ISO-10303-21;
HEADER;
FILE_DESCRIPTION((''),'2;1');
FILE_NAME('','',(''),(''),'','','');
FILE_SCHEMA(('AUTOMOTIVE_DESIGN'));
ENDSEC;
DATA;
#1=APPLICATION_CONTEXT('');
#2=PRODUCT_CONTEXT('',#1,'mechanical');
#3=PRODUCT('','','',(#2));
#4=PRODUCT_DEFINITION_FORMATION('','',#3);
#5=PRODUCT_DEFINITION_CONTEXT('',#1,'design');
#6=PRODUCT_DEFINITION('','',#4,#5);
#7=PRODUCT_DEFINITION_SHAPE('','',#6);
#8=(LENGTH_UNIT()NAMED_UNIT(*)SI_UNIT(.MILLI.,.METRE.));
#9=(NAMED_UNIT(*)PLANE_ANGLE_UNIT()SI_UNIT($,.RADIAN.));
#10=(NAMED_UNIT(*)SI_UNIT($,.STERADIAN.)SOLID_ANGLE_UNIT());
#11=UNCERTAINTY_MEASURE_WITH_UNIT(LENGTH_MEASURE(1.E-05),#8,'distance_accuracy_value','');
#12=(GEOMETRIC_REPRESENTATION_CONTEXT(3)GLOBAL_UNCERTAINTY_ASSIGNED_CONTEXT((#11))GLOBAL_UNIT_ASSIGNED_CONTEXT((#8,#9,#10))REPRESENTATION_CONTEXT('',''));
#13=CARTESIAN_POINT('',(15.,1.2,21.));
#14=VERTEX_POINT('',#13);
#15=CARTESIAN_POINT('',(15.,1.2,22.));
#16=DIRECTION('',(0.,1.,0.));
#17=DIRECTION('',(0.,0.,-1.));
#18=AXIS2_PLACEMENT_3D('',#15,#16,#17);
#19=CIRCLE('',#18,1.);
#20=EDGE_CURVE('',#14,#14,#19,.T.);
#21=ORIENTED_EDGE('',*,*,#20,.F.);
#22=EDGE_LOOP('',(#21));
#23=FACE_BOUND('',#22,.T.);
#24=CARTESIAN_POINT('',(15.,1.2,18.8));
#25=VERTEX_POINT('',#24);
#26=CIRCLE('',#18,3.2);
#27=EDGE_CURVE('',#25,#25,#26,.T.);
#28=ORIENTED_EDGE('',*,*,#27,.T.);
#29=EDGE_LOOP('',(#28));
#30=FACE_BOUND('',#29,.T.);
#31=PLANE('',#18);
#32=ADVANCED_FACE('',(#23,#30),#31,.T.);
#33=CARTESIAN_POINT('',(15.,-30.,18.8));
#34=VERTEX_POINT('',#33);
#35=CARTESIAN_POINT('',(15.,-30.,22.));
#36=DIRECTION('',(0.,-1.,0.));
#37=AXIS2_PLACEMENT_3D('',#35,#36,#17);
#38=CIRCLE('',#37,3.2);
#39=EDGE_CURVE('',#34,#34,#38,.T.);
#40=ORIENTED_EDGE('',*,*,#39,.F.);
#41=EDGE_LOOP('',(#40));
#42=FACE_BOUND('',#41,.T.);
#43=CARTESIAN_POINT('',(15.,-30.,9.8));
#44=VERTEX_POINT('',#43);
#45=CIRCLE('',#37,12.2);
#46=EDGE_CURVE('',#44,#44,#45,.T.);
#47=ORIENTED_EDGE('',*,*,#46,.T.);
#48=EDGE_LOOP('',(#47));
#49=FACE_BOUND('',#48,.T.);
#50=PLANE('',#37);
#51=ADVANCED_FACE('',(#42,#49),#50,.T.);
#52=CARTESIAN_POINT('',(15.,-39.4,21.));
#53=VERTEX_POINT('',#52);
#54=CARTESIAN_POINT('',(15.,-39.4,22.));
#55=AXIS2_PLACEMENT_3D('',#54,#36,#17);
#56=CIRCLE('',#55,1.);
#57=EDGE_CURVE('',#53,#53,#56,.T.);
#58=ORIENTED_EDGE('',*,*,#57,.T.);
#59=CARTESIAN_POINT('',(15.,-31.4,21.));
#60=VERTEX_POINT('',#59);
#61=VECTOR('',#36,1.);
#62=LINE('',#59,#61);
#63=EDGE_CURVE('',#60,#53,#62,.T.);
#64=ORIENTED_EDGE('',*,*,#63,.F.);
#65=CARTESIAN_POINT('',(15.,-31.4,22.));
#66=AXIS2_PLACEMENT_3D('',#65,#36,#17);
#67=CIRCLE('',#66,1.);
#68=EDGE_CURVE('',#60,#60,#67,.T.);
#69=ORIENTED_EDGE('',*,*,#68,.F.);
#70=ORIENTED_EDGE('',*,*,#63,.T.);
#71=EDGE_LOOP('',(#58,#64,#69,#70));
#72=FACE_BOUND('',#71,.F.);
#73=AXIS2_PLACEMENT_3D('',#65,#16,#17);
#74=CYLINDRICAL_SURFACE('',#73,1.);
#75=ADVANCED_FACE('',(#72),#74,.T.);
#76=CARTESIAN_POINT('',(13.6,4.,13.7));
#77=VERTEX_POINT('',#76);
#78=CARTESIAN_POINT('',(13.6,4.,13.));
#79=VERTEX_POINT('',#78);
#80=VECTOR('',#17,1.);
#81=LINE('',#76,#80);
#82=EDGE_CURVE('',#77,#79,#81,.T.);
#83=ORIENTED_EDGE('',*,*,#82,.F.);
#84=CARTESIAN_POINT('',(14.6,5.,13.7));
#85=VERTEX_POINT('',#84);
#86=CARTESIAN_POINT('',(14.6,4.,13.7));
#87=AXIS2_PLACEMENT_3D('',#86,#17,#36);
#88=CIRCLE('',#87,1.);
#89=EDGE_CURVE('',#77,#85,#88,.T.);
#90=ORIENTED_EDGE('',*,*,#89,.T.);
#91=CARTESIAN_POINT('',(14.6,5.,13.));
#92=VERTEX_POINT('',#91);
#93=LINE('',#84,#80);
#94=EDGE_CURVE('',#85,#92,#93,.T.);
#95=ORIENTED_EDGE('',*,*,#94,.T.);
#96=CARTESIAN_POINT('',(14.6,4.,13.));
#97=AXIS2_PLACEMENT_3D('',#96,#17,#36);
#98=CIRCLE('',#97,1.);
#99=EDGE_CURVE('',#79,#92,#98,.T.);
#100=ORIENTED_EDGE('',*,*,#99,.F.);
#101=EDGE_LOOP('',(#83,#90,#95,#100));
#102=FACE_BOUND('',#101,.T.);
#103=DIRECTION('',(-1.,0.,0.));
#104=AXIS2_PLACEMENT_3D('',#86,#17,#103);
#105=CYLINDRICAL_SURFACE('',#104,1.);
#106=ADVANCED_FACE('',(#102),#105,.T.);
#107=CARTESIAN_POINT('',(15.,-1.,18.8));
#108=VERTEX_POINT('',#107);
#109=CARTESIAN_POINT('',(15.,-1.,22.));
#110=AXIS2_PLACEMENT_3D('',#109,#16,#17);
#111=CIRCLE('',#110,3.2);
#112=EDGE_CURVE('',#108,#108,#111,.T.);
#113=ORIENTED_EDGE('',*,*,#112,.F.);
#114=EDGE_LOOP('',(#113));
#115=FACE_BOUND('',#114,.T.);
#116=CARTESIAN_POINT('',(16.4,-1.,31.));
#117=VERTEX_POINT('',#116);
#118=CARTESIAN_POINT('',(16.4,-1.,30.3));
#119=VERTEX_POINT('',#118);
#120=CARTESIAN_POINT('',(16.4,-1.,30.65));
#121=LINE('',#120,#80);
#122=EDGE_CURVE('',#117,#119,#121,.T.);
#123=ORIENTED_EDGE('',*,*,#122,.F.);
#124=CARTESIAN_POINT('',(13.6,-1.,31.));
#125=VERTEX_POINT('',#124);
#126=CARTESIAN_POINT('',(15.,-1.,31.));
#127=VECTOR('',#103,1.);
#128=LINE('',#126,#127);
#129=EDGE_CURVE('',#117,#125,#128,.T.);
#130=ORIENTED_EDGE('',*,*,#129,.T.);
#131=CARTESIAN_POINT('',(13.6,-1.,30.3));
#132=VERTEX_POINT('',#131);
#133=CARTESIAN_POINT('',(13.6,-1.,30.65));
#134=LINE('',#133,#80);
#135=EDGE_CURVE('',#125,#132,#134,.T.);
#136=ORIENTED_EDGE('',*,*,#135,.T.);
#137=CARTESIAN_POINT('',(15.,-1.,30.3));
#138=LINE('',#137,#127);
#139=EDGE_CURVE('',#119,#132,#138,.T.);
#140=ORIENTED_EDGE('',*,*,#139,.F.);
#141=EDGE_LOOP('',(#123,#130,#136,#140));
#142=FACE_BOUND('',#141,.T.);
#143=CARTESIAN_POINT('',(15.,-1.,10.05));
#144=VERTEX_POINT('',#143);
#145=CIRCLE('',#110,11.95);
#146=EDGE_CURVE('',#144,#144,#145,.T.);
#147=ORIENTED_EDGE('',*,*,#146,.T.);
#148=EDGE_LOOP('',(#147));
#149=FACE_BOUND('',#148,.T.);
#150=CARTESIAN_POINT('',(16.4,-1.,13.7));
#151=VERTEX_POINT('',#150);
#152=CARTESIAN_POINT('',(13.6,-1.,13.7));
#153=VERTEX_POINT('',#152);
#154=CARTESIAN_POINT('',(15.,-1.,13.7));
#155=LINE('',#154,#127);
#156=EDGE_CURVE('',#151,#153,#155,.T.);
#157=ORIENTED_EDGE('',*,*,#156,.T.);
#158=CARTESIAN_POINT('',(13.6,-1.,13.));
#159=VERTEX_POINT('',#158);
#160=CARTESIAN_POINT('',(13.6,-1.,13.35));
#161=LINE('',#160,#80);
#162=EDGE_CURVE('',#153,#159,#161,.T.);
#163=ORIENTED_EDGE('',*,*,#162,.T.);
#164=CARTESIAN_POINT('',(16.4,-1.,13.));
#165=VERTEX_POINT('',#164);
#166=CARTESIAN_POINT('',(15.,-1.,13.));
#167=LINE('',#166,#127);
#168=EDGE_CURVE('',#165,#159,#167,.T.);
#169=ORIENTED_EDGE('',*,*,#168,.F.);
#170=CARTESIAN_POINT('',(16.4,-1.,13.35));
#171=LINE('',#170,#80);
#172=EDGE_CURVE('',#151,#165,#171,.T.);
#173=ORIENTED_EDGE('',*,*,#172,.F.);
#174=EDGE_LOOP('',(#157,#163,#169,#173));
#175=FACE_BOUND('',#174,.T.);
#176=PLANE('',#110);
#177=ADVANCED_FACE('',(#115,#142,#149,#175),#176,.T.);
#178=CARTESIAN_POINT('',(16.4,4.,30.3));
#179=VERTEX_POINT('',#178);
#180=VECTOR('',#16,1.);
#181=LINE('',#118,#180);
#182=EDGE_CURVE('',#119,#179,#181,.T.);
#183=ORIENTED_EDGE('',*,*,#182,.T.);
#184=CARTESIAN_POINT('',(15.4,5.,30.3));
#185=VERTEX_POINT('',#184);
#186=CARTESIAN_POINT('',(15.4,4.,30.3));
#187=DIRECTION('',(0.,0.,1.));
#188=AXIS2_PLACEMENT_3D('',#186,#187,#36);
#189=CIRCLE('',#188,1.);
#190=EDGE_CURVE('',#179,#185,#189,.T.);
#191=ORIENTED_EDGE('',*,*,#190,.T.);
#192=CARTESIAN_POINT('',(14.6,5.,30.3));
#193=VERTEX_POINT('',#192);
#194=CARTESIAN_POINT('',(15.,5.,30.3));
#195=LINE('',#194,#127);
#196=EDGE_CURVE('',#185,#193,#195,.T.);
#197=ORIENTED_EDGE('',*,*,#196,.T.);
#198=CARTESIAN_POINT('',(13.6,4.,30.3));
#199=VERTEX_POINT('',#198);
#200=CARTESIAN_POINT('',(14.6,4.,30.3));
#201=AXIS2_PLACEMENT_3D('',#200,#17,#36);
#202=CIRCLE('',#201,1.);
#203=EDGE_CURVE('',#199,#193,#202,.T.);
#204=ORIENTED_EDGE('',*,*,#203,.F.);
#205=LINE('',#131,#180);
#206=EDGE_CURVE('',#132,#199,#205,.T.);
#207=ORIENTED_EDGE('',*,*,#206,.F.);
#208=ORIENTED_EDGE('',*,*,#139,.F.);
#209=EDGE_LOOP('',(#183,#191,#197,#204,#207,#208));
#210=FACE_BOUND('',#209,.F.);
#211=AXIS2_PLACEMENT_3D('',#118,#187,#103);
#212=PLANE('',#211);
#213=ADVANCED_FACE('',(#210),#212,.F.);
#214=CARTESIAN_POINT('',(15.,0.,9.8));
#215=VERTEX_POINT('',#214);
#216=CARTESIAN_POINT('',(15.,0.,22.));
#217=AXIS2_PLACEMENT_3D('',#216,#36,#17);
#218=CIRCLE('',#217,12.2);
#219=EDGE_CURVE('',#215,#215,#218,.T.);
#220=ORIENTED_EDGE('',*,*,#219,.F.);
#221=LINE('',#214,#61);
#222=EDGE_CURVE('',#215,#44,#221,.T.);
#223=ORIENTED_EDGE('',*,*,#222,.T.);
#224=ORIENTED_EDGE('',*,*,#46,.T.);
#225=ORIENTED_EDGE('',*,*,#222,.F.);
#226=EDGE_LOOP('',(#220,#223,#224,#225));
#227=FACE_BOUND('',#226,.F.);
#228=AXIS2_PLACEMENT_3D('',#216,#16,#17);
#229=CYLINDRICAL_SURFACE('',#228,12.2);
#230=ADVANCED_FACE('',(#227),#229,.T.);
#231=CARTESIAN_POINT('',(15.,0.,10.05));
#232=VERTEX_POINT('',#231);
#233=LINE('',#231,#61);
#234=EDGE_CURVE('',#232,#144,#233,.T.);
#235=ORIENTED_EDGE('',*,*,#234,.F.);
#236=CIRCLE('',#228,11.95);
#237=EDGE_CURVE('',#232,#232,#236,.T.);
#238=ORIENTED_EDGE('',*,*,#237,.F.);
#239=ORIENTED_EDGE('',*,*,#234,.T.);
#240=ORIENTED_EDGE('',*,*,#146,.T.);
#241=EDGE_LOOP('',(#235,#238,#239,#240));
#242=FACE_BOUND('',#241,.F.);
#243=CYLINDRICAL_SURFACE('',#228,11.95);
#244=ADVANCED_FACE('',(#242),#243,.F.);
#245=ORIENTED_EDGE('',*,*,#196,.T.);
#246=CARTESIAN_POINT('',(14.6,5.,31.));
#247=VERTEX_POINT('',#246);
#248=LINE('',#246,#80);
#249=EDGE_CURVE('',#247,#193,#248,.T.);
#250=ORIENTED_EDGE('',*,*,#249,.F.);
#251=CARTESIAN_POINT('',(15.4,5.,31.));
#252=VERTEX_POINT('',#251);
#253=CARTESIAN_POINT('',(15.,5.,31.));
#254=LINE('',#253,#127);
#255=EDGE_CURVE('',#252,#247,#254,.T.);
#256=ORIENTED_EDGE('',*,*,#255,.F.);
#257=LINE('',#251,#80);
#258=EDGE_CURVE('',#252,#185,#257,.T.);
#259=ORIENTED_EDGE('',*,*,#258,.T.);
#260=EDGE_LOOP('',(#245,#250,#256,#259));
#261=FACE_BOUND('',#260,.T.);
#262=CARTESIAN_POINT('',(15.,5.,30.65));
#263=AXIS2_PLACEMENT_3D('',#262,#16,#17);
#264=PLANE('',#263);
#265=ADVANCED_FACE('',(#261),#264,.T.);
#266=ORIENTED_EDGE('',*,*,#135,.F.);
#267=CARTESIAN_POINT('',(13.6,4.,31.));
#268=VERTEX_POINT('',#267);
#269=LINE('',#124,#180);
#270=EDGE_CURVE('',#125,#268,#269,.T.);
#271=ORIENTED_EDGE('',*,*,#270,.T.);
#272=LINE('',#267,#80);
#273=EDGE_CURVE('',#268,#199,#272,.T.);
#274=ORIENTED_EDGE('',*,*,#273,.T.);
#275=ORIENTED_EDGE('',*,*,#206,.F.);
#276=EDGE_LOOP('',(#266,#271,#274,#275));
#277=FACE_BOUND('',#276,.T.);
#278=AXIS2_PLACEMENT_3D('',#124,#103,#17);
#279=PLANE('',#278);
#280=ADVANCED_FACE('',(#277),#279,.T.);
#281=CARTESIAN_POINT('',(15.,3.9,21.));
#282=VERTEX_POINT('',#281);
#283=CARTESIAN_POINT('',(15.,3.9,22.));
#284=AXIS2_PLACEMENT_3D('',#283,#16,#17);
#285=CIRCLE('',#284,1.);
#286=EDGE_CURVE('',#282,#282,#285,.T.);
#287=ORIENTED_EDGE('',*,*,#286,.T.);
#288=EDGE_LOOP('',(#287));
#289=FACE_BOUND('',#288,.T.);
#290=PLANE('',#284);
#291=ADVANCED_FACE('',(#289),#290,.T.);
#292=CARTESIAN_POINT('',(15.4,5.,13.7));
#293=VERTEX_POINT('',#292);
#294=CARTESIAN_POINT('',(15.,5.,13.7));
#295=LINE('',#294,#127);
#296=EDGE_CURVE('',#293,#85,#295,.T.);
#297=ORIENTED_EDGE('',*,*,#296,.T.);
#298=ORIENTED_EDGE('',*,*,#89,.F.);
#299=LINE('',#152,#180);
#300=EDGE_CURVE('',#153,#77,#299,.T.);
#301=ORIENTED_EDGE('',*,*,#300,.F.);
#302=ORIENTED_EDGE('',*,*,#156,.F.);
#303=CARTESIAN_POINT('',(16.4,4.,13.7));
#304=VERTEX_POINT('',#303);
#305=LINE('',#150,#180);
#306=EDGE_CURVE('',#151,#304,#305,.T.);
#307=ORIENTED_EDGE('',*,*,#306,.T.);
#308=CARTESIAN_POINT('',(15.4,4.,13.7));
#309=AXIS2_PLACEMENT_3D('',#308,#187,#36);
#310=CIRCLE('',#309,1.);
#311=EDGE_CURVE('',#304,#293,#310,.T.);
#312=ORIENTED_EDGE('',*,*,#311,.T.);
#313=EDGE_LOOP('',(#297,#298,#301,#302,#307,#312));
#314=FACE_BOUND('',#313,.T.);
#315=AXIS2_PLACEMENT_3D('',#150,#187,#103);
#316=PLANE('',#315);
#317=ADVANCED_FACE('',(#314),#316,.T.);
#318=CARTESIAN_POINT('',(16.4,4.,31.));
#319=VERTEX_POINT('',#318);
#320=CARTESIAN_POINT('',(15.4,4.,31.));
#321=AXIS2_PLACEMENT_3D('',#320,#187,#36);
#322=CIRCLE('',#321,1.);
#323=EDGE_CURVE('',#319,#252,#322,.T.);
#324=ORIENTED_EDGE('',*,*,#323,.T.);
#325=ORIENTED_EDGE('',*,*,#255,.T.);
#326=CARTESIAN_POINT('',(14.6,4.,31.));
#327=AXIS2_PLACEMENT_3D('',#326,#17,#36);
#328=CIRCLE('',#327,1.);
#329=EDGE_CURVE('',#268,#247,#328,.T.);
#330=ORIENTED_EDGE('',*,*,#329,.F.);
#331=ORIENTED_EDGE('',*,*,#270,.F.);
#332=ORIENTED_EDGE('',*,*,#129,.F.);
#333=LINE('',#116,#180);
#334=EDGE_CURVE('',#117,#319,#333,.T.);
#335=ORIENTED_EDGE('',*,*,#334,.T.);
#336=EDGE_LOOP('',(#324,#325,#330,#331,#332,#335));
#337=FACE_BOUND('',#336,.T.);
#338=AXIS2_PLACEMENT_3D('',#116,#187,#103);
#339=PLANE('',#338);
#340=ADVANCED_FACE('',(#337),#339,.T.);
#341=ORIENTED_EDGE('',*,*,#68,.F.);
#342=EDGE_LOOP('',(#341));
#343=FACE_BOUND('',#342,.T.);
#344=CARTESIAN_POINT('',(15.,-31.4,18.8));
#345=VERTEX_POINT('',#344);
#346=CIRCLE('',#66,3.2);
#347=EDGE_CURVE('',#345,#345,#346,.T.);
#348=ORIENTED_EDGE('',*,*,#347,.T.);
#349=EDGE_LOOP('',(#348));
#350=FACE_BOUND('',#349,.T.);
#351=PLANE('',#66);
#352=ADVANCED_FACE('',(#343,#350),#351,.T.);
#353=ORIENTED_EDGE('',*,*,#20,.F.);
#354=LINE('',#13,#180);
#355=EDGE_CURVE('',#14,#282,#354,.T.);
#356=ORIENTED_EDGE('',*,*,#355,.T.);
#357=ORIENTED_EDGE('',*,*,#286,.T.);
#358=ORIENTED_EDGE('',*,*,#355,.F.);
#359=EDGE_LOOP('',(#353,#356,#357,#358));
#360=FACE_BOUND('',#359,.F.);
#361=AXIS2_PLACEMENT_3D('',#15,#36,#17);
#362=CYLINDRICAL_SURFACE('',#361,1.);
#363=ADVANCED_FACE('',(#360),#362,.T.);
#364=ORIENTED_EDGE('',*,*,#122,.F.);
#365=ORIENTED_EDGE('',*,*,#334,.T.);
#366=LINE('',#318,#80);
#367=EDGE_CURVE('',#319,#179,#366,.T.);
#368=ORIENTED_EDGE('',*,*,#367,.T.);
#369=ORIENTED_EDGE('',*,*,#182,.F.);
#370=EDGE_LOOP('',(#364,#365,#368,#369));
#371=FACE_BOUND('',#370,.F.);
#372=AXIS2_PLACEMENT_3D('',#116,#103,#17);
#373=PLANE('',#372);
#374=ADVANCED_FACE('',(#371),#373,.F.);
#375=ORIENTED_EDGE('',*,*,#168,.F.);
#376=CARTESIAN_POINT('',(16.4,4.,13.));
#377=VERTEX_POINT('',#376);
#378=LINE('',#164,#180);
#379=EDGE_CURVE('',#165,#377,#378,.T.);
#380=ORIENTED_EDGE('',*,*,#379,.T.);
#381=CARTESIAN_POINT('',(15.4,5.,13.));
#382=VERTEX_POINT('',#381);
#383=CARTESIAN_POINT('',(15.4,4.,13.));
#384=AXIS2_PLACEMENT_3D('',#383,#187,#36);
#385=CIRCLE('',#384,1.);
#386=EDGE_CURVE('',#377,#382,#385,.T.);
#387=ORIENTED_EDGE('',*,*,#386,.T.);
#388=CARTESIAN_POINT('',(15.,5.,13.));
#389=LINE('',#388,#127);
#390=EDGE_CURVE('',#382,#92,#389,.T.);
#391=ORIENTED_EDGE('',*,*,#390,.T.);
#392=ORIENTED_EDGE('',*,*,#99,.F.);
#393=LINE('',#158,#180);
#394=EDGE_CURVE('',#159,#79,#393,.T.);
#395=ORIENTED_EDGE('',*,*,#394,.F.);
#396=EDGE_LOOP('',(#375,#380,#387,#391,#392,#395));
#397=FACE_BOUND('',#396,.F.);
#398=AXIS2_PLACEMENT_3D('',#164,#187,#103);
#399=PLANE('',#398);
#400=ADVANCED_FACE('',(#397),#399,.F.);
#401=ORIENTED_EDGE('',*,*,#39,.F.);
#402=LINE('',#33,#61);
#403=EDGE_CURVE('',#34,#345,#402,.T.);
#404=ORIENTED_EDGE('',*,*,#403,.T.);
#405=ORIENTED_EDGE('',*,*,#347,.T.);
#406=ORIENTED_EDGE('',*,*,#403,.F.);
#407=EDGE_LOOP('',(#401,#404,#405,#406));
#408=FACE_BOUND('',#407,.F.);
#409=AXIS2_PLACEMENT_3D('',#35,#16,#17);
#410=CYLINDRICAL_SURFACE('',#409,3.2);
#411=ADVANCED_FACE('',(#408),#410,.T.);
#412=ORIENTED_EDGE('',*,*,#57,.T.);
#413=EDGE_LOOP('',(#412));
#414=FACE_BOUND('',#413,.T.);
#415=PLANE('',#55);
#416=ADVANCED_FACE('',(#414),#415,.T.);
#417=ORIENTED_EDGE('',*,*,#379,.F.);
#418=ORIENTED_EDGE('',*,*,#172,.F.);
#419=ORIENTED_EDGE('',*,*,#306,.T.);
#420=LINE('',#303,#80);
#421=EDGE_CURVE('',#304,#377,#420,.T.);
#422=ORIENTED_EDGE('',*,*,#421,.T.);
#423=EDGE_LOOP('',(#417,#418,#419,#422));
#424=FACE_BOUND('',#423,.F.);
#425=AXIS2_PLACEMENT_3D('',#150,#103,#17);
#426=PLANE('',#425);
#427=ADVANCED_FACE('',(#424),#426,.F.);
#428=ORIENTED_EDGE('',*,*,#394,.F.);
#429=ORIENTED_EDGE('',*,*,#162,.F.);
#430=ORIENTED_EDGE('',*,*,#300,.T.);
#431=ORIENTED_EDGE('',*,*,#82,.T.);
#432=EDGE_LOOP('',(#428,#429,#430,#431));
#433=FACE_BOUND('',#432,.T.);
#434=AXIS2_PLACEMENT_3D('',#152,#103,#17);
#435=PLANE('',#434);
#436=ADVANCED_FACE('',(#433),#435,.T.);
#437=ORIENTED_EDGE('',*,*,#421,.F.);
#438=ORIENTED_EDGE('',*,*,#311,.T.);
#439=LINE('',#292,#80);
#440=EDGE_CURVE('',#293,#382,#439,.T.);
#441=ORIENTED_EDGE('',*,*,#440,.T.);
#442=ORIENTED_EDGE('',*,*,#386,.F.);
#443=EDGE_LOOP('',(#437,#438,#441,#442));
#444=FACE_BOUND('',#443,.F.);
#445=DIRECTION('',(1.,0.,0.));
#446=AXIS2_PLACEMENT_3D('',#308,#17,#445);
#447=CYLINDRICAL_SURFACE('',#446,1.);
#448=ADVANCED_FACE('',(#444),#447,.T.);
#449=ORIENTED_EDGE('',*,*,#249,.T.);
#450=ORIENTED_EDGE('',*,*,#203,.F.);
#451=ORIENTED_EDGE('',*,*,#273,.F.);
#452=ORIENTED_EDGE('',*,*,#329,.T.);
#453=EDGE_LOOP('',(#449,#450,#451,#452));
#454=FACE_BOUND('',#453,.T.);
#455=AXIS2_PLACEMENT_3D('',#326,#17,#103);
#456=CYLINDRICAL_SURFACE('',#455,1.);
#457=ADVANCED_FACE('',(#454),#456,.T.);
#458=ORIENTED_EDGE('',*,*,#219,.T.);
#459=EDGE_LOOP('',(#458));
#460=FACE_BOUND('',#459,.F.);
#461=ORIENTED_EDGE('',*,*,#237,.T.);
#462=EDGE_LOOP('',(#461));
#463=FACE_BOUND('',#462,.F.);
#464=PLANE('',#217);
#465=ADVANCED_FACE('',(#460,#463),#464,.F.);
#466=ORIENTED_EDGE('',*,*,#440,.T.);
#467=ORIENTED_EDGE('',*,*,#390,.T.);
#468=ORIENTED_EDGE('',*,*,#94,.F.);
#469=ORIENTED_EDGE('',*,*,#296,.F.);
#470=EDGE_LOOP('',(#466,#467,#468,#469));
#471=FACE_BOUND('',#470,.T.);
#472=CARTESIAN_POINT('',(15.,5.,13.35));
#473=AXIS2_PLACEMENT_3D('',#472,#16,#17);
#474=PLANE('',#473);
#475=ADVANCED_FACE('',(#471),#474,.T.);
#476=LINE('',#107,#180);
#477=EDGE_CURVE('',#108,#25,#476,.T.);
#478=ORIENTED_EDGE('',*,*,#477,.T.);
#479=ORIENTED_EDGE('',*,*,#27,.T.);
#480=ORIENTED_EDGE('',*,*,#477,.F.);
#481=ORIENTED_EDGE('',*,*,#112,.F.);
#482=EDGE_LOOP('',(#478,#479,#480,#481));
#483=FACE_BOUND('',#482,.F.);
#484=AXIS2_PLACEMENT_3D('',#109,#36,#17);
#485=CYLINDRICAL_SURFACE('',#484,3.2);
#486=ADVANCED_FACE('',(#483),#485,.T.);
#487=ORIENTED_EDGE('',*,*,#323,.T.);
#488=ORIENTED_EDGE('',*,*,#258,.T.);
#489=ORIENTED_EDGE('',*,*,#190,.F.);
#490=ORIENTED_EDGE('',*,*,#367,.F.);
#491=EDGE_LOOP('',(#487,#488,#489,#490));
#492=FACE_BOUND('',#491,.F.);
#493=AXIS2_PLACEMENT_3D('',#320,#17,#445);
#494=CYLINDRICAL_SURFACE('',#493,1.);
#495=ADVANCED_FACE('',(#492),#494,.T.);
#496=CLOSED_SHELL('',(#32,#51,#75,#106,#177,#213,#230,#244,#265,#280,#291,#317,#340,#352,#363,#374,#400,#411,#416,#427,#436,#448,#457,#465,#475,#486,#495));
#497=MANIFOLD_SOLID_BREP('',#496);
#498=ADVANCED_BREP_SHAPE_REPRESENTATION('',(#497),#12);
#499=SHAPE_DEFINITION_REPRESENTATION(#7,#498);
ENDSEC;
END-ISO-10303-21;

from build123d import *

# Parameters (mm, degrees)
SKETCH094_R             = 12.2
PAD046_DEPTH            = 30
SKETCH095_R             = 3.2
PAD042_DEPTH            = 1.4
SKETCH100_R             = 1
PAD045_DEPTH            = 8
SKETCH098_R             = 11.95
POCKET040_DEPTH         = 1
SKETCH096_R             = 3.2
PAD047_DEPTH            = 2.2
SKETCH099_R             = 1
PAD044_DEPTH            = 2.7
SKETCH097_W             = 0.7
SKETCH097_H             = 2.8
PAD043_DEPTH            = 6
FILLET018_R             = 1
BODY016_PITCH_ANGLE     = 90
BODY016_PLACEMENT_ANGLE = -90


with BuildPart() as part:
    # Sketch094 → Pad046 (new body)
    with BuildSketch(Plane.XY):
        Circle(SKETCH094_R)
    extrude(amount=PAD046_DEPTH)

    # Sketch095 (on Face3 of Pad046) → Pad042 (join)
    with BuildSketch(Plane.XY.offset(30)):
        Circle(SKETCH095_R)
    extrude(amount=PAD042_DEPTH)

    # Sketch100 (on Face5 of Pad042) → Pad045 (join)
    with BuildSketch(Plane.XY.offset(31.4)):
        Circle(SKETCH100_R)
    extrude(amount=PAD045_DEPTH)

    # Sketch098 (on Face2 of Pad045) → Pocket040 (cut)
    with BuildSketch(Plane(origin=(0, 0, 0), x_dir=(1, 0, 0), z_dir=(0, 0, -1))):
        Circle(SKETCH098_R)
    extrude(amount=-POCKET040_DEPTH, mode=Mode.SUBTRACT)

    # Sketch096 (on Face6 of Pocket040) → Pad047 (join)
    with BuildSketch(Plane(origin=(0, 0, 1), x_dir=(1, 0, 0), z_dir=(0, 0, -1))):
        Circle(SKETCH096_R)
    extrude(amount=PAD047_DEPTH)

    # Sketch099 (on Face10 of Pad047) → Pad044 (join)
    with BuildSketch(Plane(origin=(0, 0, -1.2), x_dir=(1, 0, 0), z_dir=(0, 0, -1))):
        Circle(SKETCH099_R)
    extrude(amount=PAD044_DEPTH)

    # Sketch097 (on Face6 of Pad044) → Pad043 (join)
    with BuildSketch(Plane(origin=(0, 0, 1), x_dir=(1, 0, 0), z_dir=(0, 0, -1))):
        with Locations((-8.65, 0)):
            Rectangle(SKETCH097_W, SKETCH097_H)
        with Locations((8.65, 0)):
            Rectangle(SKETCH097_W, SKETCH097_H)
    extrude(amount=PAD043_DEPTH)

    # Fillet018
    fillet018_edges = [part.edges().sort_by_distance(p)[0] for p in [
        (-8.65, -1.4, -5),
        (-8.65, 1.4, -5),
        (8.65, -1.4, -5),
        (8.65, 1.4, -5),
    ]]
    fillet(fillet018_edges, radius=FILLET018_R)


with BuildPart() as part_1:
    # Body016 pitch: moved
    add(part.part.rotate(Axis((0, 0, 0), (0, 1, 0)), BODY016_PITCH_ANGLE))


with BuildPart() as part_2:
    # Body016 placement: moved
    add(part_1.part.moved(Location((15, 0, 22))).rotate(Axis((15, 0, 22), (0, 0, 1)), BODY016_PLACEMENT_ANGLE))


solid = part_2.part
